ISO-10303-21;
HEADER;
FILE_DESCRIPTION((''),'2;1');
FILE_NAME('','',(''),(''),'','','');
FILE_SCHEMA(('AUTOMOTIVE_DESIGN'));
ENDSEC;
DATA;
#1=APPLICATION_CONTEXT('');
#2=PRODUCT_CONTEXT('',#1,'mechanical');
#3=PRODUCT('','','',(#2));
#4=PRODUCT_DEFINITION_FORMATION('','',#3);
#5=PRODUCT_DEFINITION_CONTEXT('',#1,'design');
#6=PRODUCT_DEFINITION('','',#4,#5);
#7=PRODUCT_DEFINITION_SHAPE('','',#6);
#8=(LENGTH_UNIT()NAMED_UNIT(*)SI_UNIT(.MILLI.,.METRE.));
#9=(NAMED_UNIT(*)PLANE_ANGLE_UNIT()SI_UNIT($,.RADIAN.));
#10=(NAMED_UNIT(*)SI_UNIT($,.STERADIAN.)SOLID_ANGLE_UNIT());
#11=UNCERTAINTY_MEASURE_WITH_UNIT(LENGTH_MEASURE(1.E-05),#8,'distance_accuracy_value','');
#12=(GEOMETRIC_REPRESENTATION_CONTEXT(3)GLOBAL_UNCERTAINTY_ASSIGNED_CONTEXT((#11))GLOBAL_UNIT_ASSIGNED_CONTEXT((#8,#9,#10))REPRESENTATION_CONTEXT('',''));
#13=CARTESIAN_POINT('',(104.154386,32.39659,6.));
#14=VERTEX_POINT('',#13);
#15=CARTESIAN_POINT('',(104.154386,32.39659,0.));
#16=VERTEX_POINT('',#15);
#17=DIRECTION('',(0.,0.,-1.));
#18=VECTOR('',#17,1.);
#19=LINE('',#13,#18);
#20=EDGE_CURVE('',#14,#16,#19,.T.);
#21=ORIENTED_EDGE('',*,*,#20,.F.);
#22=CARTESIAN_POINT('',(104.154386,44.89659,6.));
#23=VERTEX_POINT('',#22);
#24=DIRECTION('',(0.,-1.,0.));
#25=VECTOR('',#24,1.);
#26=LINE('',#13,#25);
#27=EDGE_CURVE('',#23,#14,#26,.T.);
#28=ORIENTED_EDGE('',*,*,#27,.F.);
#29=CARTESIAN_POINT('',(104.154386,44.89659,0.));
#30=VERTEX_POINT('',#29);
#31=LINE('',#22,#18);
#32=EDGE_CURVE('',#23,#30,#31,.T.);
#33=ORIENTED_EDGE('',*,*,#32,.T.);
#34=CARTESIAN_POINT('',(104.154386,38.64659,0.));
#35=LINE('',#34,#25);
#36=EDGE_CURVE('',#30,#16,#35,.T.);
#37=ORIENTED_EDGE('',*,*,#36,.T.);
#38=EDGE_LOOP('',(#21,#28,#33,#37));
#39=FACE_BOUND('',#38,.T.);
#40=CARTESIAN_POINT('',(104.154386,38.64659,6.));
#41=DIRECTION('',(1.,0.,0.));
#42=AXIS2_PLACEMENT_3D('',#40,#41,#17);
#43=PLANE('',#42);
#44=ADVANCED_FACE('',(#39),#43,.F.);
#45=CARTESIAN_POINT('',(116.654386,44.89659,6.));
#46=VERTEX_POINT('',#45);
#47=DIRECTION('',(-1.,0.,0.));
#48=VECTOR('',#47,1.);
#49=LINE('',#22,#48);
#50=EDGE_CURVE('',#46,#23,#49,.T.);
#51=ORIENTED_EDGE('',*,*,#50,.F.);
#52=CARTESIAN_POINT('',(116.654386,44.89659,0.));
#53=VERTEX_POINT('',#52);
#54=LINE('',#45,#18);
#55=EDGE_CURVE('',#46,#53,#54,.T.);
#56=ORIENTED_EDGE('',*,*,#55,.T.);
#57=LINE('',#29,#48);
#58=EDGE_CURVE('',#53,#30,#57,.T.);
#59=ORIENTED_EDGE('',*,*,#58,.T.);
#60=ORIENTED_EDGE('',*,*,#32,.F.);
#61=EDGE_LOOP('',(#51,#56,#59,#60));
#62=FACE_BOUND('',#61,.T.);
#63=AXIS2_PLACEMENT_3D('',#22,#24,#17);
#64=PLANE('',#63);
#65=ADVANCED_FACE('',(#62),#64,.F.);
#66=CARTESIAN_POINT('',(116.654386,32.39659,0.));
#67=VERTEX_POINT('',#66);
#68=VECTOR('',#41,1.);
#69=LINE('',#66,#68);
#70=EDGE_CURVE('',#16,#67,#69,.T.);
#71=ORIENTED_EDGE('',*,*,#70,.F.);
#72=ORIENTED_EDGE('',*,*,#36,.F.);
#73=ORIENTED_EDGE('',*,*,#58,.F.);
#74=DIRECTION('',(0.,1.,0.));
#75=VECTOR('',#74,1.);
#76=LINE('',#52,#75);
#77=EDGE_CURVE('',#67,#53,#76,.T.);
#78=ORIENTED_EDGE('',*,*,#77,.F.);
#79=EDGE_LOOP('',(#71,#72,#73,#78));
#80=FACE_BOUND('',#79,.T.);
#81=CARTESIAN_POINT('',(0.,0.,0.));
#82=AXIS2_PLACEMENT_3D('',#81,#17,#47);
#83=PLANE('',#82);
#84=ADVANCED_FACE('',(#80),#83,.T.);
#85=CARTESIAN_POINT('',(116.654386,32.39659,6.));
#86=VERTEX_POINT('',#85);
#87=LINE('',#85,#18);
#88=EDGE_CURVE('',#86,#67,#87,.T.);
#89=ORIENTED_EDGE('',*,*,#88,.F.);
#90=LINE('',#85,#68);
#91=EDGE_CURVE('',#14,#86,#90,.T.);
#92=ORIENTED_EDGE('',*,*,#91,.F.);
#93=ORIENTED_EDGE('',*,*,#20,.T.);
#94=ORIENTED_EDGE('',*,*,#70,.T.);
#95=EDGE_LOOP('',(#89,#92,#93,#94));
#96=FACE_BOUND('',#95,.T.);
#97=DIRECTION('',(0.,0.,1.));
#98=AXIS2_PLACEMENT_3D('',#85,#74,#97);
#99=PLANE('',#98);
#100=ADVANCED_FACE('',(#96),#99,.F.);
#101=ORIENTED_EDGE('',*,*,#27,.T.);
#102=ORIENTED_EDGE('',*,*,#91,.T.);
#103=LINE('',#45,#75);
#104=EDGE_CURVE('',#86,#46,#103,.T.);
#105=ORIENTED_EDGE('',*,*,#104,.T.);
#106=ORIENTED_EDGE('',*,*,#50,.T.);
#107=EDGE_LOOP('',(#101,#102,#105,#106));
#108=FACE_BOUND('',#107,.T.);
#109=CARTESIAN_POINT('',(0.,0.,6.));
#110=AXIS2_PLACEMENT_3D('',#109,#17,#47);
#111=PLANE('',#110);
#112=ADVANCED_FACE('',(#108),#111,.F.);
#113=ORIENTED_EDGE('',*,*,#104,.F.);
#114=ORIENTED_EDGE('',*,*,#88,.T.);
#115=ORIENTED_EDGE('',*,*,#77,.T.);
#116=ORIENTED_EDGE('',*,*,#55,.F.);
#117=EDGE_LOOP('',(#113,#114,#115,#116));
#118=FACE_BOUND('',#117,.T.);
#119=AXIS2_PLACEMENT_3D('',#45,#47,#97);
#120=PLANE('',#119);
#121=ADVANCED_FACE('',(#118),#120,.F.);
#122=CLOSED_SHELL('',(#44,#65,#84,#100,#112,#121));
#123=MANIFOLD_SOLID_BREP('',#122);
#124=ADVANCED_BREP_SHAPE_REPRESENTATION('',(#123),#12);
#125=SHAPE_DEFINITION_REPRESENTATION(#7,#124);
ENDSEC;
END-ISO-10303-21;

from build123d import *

# Parameters (mm, degrees)
EXTRUDE_1_DEPTH = 6


with BuildPart() as part:
    # 草图1 → 凸台-拉伸1 (new body)
    with BuildSketch(Plane.XY):
        Polygon((104.154385864, 38.646589675), (104.154385864, 44.896589675), (116.654385864, 44.896589675), (116.654385864, 32.396589675), (104.154385864, 32.396589675), align=None)
    extrude(amount=EXTRUDE_1_DEPTH)


solid = part.part
